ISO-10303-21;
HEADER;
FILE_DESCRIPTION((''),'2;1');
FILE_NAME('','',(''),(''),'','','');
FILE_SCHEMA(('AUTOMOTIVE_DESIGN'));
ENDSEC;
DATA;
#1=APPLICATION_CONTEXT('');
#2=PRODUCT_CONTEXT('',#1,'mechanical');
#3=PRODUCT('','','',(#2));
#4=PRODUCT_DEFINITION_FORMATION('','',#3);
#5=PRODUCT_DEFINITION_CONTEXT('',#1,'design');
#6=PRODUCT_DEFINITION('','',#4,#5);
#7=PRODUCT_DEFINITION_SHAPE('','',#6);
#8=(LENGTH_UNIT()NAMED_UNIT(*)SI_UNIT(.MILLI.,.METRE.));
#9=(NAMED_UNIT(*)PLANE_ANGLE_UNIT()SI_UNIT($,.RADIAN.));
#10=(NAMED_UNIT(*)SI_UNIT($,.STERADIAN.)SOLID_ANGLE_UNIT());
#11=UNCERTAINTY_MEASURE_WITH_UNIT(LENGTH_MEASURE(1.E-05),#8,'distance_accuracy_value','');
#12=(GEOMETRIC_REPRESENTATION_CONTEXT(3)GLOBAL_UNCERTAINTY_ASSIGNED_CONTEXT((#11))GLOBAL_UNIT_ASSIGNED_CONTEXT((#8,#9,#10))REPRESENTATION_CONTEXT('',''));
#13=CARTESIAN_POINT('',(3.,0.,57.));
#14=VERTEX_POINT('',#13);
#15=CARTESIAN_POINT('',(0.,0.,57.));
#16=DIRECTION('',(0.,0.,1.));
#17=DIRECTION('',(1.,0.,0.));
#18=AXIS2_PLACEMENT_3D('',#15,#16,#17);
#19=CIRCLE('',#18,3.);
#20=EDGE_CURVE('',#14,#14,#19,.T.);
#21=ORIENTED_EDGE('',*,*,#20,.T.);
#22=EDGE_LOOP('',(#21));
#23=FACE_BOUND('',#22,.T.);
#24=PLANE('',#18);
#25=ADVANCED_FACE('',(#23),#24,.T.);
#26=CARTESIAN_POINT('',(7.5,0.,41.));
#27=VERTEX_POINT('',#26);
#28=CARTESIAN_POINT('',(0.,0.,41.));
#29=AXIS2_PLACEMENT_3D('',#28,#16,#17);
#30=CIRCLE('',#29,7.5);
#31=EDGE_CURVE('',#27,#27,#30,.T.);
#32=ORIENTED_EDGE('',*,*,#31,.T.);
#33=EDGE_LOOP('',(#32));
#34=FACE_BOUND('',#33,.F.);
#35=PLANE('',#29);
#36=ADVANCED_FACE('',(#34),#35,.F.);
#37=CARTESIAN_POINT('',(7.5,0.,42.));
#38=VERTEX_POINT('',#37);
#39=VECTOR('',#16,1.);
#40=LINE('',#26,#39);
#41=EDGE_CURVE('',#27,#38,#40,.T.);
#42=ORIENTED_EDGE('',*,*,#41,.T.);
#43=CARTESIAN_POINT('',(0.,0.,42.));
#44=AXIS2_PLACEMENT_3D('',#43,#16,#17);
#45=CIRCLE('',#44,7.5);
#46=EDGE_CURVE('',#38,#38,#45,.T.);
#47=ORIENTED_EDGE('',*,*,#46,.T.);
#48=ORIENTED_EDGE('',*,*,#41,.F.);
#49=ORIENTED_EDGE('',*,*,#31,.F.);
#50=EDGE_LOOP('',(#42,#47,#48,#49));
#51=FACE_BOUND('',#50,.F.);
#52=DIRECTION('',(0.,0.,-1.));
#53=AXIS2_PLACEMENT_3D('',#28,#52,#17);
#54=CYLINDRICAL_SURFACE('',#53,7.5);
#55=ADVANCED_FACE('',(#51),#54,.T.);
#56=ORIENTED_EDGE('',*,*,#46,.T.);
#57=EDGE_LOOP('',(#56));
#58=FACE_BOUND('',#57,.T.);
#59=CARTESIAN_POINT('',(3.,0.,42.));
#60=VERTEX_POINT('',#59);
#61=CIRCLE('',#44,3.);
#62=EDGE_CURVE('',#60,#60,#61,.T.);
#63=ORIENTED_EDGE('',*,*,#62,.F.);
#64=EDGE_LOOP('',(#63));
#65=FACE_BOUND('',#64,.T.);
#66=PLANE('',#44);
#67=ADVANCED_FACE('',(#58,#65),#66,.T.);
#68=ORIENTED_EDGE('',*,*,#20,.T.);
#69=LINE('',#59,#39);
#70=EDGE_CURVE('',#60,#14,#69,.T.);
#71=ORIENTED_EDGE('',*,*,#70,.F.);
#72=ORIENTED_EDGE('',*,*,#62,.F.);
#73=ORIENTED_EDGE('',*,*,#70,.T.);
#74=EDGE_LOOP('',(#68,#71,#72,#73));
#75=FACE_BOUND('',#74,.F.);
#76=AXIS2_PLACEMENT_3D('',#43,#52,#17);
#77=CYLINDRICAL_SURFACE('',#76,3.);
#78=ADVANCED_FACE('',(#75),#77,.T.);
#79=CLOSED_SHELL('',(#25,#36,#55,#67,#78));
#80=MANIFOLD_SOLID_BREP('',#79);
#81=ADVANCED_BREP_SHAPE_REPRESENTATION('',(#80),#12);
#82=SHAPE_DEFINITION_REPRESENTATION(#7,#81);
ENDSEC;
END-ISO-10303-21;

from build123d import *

# Parameters (mm, degrees)
CYLINDER002_R     = 3
CYLINDER002_DEPTH = 15
CYLINDER001_R     = 7.5
CYLINDER001_DEPTH = 1
CYLINDER_R        = 11.5
CYLINDER_DEPTH    = 40
SKETCH_R          = 1
POCKET_DEPTH      = 4
SKETCH001_R       = 23.34615
EXTRUDE_DEPTH     = 23


with BuildPart() as cylinder002:
    # Cylinder002 → Cylinder002 (new body)
    with BuildSketch(Plane.XY.offset(42)):
        Circle(CYLINDER002_R)
    extrude(amount=CYLINDER002_DEPTH)


with BuildPart() as cylinder001:
    # Cylinder001 → Cylinder001 (new body)
    with BuildSketch(Plane.XY.offset(41)):
        Circle(CYLINDER001_R)
    extrude(amount=CYLINDER001_DEPTH)


with BuildPart() as clone_of_pocket:
    # Cylinder → Cylinder (new body)
    with BuildSketch(Plane.XY.offset(1)):
        Circle(CYLINDER_R)
    extrude(amount=CYLINDER_DEPTH)

    # Fusion: union Cylinder002, Cylinder001
    add(cylinder002.part)
    add(cylinder001.part)

    # Sketch → Pocket (cut)
    with BuildSketch(Plane.XY.offset(41)):
        with Locations((8.227241, 4.75)):
            Circle(SKETCH_R)
        with Locations((-8.227241, 4.75)):
            Circle(SKETCH_R)
        with Locations((0, -9.5)):
            Circle(SKETCH_R)
    extrude(amount=-POCKET_DEPTH, mode=Mode.SUBTRACT)


with BuildPart() as common:
    # Sketch001 → Extrude (new body)
    with BuildSketch(Plane.XY.offset(41)):
        Circle(SKETCH001_R)
    extrude(amount=EXTRUDE_DEPTH)

    # Common: intersect Clone of Pocket
    add(clone_of_pocket.part, mode=Mode.INTERSECT)


solid = common.part
